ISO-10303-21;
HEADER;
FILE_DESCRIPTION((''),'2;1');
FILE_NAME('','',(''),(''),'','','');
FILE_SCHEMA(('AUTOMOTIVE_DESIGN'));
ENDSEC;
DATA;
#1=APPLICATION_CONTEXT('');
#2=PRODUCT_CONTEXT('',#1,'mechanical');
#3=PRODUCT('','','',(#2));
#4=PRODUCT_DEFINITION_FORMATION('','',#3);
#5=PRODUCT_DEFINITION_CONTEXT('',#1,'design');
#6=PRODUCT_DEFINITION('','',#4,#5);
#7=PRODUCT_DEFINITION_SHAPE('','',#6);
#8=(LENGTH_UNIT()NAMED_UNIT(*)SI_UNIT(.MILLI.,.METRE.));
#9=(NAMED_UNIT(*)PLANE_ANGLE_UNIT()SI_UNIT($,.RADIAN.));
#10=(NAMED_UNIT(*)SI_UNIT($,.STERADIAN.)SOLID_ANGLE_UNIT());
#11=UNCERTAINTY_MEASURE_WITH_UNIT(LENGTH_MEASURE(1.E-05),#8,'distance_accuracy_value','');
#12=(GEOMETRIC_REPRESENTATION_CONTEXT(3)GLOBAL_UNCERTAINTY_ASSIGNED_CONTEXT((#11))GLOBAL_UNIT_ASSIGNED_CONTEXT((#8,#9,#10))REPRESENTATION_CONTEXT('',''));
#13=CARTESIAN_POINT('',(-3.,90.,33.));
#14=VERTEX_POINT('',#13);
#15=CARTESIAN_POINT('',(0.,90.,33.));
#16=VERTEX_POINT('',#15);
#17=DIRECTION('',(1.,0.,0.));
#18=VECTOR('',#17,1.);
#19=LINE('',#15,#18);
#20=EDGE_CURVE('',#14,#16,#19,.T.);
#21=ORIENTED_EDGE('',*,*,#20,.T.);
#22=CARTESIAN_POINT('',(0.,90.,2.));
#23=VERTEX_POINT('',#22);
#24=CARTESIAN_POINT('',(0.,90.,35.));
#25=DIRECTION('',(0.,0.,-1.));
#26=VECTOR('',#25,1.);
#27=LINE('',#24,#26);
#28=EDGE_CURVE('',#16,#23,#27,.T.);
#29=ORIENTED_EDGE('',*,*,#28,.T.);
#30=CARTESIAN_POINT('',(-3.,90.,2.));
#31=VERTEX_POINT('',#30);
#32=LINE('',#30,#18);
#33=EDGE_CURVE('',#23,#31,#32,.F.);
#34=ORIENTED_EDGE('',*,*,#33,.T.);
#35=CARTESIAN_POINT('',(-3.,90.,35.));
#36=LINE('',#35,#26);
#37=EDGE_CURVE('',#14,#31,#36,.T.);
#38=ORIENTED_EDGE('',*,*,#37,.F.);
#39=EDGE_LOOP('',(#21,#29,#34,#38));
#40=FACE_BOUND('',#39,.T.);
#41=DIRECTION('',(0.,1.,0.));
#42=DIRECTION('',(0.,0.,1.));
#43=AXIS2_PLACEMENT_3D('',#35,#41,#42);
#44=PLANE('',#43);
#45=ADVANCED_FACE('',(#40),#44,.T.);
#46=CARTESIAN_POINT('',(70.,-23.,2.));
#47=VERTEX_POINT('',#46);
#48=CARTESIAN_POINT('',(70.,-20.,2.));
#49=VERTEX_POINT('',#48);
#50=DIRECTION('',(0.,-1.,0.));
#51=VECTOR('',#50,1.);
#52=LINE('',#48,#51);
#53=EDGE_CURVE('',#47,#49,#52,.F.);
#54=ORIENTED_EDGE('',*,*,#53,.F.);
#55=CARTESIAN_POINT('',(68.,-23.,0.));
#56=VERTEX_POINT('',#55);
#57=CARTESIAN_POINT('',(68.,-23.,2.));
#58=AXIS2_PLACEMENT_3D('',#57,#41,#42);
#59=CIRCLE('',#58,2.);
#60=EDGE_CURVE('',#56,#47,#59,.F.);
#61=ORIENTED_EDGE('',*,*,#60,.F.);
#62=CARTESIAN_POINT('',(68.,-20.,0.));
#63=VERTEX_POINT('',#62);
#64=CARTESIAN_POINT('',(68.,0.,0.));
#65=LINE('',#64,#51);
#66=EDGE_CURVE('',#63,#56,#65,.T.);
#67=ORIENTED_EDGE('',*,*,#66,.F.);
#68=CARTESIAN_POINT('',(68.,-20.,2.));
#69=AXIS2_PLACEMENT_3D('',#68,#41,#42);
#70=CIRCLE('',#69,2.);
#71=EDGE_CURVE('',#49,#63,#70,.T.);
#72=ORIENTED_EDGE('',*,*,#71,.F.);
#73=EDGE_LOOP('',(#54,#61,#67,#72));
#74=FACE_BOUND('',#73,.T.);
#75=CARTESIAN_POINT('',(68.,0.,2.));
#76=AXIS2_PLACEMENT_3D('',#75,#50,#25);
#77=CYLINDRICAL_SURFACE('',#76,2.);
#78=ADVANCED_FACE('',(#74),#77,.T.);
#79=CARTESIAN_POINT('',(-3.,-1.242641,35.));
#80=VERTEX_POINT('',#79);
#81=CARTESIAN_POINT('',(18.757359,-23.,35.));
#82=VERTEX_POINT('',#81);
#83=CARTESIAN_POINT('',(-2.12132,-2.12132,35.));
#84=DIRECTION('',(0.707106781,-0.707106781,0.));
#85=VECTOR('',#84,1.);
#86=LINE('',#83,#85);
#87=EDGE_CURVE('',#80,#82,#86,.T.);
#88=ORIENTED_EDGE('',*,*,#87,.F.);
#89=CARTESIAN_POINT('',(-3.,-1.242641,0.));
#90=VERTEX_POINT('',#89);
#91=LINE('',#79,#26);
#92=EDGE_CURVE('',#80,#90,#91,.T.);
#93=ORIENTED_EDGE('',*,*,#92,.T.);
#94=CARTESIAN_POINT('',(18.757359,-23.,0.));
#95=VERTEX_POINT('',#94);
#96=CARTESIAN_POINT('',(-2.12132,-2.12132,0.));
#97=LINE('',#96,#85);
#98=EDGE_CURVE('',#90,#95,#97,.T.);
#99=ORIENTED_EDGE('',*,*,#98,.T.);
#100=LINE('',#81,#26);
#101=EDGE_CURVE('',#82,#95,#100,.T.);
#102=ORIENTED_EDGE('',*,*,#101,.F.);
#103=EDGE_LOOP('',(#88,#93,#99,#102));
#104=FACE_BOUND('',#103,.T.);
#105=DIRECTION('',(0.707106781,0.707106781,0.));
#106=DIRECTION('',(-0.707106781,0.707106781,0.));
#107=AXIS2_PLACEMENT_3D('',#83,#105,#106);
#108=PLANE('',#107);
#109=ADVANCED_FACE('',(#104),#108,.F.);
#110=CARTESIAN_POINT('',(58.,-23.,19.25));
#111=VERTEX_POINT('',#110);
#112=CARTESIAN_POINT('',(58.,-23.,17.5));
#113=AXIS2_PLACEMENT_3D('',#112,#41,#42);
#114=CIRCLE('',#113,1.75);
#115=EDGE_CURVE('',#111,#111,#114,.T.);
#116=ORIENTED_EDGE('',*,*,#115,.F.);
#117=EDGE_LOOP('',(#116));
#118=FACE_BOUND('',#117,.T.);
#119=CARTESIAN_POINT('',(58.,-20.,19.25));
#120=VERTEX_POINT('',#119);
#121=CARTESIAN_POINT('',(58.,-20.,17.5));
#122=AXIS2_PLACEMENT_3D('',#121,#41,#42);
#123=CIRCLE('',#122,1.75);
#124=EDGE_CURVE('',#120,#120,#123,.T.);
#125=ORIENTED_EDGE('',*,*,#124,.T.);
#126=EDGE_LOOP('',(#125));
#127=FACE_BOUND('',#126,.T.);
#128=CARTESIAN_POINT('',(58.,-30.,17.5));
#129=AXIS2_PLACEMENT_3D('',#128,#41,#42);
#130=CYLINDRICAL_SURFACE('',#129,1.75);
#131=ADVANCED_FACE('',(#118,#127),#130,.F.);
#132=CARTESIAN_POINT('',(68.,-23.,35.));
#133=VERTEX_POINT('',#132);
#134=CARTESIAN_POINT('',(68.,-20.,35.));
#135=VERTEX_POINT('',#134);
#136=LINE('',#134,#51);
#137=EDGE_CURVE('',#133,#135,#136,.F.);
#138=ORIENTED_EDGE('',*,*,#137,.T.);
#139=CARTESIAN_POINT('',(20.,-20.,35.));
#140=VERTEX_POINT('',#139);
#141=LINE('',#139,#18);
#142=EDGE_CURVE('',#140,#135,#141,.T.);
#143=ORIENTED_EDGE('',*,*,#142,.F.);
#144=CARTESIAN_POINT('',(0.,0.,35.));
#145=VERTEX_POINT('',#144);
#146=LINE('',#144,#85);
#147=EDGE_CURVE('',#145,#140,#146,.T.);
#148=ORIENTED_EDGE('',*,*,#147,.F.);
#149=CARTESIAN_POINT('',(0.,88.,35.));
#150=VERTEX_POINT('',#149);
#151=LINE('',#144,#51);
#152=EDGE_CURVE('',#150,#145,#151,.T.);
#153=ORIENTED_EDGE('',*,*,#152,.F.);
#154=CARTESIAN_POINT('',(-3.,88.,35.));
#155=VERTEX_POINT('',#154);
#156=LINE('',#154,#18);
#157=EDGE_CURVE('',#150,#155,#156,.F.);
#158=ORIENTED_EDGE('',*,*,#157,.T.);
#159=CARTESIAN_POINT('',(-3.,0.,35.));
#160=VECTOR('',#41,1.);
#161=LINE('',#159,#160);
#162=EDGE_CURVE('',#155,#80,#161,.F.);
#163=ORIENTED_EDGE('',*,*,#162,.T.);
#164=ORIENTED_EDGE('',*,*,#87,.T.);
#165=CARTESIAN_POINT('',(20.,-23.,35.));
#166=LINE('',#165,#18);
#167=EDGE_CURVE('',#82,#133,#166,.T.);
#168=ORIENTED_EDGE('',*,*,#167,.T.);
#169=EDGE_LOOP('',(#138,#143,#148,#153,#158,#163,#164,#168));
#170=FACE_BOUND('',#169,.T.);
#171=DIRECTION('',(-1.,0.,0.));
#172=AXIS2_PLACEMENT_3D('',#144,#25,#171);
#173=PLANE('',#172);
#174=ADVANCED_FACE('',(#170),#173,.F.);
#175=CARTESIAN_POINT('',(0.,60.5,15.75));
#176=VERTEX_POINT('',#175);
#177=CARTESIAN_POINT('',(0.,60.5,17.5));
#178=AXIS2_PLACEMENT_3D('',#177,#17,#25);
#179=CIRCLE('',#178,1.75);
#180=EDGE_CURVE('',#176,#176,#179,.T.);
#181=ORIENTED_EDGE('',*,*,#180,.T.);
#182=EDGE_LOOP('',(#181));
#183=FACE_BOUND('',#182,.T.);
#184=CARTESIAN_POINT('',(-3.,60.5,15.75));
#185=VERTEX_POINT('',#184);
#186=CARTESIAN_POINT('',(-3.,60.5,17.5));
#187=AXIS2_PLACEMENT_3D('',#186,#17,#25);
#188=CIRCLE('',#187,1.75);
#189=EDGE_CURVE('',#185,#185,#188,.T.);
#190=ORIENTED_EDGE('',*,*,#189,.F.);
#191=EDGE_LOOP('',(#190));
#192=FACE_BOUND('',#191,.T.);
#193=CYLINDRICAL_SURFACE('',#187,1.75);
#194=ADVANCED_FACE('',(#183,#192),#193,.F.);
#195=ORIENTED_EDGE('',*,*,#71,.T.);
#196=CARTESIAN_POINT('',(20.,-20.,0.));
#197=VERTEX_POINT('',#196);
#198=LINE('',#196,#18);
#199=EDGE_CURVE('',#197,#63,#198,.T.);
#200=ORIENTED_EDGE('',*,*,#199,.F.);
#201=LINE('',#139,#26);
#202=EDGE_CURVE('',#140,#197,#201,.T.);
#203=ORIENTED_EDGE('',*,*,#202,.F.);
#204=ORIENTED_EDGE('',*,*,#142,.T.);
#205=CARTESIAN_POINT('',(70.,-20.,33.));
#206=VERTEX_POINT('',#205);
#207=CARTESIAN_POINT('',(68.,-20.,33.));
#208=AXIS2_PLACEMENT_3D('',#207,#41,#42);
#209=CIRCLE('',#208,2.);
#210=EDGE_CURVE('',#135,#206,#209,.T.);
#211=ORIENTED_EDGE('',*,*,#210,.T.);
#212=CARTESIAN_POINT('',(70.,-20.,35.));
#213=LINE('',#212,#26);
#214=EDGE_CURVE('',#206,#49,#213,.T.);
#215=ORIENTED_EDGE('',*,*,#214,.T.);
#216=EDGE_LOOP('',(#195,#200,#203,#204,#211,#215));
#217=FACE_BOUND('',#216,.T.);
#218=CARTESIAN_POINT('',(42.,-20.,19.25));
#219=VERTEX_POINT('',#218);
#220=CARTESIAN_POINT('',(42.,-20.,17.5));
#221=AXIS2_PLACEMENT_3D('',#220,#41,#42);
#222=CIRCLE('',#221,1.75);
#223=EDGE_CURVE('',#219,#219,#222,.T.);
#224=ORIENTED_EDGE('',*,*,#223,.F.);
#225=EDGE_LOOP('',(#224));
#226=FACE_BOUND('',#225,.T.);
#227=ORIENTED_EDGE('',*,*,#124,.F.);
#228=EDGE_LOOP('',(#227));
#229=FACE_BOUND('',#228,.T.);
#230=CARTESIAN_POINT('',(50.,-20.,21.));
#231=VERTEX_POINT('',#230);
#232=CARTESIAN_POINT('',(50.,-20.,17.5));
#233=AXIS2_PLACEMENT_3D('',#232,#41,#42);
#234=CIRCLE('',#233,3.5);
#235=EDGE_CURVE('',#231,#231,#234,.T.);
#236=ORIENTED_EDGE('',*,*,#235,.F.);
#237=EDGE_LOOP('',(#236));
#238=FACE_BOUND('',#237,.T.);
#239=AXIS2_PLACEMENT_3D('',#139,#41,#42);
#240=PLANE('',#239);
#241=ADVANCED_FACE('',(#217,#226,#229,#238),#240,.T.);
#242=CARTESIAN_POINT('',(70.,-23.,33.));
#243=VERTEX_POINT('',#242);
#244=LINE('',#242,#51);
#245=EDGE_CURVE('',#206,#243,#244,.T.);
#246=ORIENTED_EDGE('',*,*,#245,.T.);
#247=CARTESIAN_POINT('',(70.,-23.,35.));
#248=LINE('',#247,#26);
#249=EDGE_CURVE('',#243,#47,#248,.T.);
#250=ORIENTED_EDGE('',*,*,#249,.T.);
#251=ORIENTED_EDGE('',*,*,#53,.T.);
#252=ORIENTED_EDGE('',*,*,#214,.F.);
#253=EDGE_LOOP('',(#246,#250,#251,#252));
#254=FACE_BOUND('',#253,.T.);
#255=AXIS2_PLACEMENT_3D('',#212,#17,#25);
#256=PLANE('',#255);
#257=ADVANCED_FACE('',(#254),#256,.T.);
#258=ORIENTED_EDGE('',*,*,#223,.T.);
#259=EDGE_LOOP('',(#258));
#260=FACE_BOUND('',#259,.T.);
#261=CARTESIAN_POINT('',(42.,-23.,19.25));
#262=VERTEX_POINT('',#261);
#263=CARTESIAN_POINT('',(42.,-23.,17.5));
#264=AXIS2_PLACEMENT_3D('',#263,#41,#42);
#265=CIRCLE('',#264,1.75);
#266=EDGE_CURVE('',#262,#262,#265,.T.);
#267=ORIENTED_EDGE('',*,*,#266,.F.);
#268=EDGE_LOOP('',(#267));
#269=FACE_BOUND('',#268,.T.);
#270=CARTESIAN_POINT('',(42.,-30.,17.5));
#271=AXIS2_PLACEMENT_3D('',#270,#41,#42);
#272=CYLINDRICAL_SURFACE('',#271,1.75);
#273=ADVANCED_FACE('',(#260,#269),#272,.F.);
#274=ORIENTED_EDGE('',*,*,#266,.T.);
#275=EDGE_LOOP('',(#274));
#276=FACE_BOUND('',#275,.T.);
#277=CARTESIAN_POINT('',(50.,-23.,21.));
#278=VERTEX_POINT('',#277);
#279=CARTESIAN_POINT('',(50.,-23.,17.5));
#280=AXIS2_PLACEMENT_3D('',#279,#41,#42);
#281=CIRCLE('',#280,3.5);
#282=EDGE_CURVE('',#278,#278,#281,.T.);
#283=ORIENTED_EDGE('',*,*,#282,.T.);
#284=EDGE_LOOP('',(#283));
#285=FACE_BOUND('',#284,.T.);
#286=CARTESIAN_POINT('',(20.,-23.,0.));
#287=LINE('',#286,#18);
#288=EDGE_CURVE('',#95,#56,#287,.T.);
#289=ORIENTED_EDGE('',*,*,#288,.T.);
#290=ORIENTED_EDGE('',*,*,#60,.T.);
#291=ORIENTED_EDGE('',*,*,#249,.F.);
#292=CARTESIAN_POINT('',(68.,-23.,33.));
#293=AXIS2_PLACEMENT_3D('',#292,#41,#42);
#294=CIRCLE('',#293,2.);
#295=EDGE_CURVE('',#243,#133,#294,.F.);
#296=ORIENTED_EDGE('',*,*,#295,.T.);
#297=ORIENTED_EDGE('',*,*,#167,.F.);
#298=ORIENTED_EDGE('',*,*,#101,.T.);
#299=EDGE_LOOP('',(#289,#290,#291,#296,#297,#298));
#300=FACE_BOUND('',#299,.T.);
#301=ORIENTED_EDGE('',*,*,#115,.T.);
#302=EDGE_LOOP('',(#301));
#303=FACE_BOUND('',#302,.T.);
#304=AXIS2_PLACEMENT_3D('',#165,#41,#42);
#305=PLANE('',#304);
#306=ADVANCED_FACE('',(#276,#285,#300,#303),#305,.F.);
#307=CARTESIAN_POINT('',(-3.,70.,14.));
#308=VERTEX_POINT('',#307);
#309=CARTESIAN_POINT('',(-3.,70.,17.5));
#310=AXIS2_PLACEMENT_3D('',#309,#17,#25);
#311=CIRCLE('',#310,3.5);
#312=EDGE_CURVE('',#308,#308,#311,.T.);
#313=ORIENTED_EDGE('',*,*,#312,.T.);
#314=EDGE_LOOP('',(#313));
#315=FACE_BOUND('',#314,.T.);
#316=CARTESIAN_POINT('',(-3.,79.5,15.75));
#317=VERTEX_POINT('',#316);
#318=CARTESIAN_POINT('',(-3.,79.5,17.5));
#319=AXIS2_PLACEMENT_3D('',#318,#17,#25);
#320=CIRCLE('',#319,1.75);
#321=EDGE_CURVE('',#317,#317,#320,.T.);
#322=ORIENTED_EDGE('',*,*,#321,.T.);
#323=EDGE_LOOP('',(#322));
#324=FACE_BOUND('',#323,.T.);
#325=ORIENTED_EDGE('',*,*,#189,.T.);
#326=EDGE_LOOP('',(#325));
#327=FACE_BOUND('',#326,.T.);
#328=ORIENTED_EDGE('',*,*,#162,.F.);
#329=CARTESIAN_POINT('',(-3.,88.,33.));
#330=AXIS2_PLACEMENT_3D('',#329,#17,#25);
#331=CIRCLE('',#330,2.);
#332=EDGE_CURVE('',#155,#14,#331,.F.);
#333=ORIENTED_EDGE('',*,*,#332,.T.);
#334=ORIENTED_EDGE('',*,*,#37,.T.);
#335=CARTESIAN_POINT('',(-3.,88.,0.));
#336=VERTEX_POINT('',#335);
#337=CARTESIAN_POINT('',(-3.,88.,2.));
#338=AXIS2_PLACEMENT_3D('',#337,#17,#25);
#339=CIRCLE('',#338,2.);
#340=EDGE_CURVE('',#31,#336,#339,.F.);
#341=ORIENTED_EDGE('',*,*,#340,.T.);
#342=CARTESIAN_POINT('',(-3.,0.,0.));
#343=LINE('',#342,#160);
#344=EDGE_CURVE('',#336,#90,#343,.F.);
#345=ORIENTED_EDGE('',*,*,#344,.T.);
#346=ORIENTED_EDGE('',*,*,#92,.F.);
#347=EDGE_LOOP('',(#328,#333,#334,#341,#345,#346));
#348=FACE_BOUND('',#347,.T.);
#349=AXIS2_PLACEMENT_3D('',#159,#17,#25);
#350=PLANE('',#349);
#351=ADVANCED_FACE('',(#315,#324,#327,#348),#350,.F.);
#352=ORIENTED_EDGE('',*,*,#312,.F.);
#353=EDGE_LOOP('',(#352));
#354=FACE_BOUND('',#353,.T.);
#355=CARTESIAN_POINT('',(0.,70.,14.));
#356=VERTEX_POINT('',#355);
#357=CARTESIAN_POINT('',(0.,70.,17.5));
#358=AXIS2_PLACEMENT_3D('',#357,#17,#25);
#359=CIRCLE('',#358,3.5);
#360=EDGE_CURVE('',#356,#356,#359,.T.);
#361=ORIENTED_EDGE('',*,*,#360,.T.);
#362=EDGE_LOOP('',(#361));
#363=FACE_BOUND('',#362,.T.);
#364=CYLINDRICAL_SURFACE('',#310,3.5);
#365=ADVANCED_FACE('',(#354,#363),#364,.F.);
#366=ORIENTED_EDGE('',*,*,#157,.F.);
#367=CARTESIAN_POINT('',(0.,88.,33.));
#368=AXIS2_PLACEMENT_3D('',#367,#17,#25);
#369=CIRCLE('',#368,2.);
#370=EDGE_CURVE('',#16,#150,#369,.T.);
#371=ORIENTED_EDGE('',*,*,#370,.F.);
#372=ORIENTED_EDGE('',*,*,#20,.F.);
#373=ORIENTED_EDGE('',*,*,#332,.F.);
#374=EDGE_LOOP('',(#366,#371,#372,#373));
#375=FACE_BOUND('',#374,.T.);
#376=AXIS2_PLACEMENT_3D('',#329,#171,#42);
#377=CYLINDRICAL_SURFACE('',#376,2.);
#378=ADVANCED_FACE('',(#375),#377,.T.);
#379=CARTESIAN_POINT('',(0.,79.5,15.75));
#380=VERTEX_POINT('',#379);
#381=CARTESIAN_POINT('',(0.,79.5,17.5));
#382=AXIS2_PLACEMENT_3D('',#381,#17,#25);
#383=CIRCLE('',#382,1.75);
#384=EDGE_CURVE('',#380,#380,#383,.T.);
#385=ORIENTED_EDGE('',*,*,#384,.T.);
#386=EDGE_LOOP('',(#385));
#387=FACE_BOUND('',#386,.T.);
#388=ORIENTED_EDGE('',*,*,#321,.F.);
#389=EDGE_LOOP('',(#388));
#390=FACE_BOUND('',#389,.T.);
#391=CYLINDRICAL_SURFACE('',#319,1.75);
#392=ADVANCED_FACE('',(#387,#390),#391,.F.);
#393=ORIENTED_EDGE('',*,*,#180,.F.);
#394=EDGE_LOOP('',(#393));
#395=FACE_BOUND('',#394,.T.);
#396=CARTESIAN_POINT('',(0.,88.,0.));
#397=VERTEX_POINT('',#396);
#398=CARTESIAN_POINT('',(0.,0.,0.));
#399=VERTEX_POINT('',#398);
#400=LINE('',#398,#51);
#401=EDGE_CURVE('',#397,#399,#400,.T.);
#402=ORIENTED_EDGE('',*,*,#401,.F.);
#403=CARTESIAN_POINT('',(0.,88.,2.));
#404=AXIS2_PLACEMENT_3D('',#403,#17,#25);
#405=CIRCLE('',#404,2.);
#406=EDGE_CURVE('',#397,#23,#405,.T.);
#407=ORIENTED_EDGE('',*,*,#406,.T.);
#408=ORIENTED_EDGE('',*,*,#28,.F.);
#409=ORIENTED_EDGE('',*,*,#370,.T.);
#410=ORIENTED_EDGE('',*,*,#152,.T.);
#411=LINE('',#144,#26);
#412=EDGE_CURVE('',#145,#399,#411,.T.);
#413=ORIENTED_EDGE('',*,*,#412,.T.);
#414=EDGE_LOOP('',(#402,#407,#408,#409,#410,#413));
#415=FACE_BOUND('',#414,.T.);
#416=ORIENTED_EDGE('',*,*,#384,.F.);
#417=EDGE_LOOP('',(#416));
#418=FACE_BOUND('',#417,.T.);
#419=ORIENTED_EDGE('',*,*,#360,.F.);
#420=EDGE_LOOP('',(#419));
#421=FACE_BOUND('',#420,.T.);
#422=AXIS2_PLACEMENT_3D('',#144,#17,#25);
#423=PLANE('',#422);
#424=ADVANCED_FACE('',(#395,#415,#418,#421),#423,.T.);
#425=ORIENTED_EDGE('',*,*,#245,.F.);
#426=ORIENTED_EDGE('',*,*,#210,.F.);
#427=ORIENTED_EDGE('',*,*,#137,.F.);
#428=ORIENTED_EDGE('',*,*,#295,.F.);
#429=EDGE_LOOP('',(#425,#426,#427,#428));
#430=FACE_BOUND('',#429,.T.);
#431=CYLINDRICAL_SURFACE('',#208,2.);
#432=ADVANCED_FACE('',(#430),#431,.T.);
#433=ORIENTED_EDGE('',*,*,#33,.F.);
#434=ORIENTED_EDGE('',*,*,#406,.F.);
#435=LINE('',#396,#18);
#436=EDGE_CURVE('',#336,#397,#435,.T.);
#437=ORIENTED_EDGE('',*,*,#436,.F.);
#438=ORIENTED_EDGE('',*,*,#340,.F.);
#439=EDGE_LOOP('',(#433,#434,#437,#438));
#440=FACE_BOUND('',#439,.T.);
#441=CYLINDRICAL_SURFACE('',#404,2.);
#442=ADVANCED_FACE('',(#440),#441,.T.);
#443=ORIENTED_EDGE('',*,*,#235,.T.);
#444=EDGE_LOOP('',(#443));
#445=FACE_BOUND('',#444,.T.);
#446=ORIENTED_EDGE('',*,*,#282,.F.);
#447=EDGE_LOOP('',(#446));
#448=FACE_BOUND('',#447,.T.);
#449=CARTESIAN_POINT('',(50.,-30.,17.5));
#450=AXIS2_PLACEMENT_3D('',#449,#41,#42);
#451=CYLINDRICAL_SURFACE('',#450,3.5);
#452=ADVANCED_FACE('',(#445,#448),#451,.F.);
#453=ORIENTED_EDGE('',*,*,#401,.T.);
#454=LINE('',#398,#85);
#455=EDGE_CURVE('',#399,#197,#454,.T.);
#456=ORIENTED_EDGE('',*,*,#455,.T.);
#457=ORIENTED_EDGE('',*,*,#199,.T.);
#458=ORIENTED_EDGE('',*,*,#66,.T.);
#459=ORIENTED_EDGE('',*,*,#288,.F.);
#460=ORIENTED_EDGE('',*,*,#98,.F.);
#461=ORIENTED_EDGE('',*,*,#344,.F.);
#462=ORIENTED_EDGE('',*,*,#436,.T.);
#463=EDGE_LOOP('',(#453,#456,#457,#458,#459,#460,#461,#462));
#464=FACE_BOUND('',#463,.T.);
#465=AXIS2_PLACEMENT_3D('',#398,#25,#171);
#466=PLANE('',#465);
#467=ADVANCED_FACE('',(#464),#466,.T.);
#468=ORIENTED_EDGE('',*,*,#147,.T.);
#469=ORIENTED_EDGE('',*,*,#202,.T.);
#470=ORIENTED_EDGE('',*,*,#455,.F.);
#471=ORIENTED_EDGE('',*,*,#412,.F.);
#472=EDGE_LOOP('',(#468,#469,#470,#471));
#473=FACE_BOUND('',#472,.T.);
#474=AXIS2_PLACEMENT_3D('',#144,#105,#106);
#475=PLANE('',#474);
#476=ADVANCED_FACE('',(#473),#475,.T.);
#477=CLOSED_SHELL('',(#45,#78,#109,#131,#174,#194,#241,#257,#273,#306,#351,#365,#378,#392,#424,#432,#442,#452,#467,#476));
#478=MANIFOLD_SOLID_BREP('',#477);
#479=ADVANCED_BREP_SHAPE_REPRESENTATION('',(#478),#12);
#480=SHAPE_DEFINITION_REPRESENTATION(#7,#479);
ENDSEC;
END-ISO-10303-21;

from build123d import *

# Parameters (mm, degrees)
EXTRU_MINCE1_DEPTH      = 35
ESQUISSE2_R             = 1.75
ESQUISSE2_R_2           = 3.5
ENL_V_MAT_EXTRU_1_DEPTH = 3
CONG_3_R                = 2
CONG_4_R                = 2
CONG_5_R                = 2
CONG_6_R                = 2
ESQUISSE3_R             = 1.75
ESQUISSE3_R_2           = 3.5
ENL_V_MAT_EXTRU_2_DEPTH = 10


with BuildPart() as part:
    # Esquisse1 → Extru.-Mince1 (new body)
    with BuildSketch(Plane.XY):
        Polygon((70, -20), (20, -20), (0, 0), (0, 90), (-3, 90), (-3, -1.242640687), (18.757359313, -23), (70, -23), align=None)
    extrude(amount=EXTRU_MINCE1_DEPTH)

    # Esquisse2 → Enlèv. mat.-Extru.1 (cut)
    with BuildSketch(Plane(origin=(0, 0, 0), x_dir=(0, 0, -1), z_dir=(1, 0, 0))):
        with Locations((-17.5, 79.5)):
            Circle(ESQUISSE2_R)
        with Locations((-17.5, 60.5)):
            Circle(ESQUISSE2_R)
        with Locations((-17.5, 70)):
            Circle(ESQUISSE2_R_2)
    extrude(amount=-ENL_V_MAT_EXTRU_1_DEPTH, mode=Mode.SUBTRACT)

    # Congé3
    cong_3_edges = [part.edges().sort_by_distance(p)[0] for p in [
        (-1.5, 90, 35),
    ]]
    fillet(cong_3_edges, radius=CONG_3_R)

    # Congé4
    cong_4_edges = [part.edges().sort_by_distance(p)[0] for p in [
        (-1.5, 90, 0),
    ]]
    fillet(cong_4_edges, radius=CONG_4_R)

    # Congé5
    cong_5_edges = [part.edges().sort_by_distance(p)[0] for p in [
        (70, -21.5, 35),
    ]]
    fillet(cong_5_edges, radius=CONG_5_R)

    # Congé6
    cong_6_edges = [part.edges().sort_by_distance(p)[0] for p in [
        (70, -21.5, 0),
    ]]
    fillet(cong_6_edges, radius=CONG_6_R)

    # Esquisse3 → Enlèv. mat.-Extru.2 (cut)
    with BuildSketch(Plane(origin=(0, -20, 0), x_dir=(1, 0, 0), z_dir=(0, 1, 0))):
        with Locations(Location((58, -17.5, 0), (0, 0, 270))):
            Circle(ESQUISSE3_R)
        with Locations(Location((42, -17.5, 0), (0, 0, 270))):
            Circle(ESQUISSE3_R)
        with Locations(Location((50, -17.5, 0), (0, 0, 270))):
            Circle(ESQUISSE3_R_2)
    extrude(amount=-ENL_V_MAT_EXTRU_2_DEPTH, mode=Mode.SUBTRACT)


solid = part.part
